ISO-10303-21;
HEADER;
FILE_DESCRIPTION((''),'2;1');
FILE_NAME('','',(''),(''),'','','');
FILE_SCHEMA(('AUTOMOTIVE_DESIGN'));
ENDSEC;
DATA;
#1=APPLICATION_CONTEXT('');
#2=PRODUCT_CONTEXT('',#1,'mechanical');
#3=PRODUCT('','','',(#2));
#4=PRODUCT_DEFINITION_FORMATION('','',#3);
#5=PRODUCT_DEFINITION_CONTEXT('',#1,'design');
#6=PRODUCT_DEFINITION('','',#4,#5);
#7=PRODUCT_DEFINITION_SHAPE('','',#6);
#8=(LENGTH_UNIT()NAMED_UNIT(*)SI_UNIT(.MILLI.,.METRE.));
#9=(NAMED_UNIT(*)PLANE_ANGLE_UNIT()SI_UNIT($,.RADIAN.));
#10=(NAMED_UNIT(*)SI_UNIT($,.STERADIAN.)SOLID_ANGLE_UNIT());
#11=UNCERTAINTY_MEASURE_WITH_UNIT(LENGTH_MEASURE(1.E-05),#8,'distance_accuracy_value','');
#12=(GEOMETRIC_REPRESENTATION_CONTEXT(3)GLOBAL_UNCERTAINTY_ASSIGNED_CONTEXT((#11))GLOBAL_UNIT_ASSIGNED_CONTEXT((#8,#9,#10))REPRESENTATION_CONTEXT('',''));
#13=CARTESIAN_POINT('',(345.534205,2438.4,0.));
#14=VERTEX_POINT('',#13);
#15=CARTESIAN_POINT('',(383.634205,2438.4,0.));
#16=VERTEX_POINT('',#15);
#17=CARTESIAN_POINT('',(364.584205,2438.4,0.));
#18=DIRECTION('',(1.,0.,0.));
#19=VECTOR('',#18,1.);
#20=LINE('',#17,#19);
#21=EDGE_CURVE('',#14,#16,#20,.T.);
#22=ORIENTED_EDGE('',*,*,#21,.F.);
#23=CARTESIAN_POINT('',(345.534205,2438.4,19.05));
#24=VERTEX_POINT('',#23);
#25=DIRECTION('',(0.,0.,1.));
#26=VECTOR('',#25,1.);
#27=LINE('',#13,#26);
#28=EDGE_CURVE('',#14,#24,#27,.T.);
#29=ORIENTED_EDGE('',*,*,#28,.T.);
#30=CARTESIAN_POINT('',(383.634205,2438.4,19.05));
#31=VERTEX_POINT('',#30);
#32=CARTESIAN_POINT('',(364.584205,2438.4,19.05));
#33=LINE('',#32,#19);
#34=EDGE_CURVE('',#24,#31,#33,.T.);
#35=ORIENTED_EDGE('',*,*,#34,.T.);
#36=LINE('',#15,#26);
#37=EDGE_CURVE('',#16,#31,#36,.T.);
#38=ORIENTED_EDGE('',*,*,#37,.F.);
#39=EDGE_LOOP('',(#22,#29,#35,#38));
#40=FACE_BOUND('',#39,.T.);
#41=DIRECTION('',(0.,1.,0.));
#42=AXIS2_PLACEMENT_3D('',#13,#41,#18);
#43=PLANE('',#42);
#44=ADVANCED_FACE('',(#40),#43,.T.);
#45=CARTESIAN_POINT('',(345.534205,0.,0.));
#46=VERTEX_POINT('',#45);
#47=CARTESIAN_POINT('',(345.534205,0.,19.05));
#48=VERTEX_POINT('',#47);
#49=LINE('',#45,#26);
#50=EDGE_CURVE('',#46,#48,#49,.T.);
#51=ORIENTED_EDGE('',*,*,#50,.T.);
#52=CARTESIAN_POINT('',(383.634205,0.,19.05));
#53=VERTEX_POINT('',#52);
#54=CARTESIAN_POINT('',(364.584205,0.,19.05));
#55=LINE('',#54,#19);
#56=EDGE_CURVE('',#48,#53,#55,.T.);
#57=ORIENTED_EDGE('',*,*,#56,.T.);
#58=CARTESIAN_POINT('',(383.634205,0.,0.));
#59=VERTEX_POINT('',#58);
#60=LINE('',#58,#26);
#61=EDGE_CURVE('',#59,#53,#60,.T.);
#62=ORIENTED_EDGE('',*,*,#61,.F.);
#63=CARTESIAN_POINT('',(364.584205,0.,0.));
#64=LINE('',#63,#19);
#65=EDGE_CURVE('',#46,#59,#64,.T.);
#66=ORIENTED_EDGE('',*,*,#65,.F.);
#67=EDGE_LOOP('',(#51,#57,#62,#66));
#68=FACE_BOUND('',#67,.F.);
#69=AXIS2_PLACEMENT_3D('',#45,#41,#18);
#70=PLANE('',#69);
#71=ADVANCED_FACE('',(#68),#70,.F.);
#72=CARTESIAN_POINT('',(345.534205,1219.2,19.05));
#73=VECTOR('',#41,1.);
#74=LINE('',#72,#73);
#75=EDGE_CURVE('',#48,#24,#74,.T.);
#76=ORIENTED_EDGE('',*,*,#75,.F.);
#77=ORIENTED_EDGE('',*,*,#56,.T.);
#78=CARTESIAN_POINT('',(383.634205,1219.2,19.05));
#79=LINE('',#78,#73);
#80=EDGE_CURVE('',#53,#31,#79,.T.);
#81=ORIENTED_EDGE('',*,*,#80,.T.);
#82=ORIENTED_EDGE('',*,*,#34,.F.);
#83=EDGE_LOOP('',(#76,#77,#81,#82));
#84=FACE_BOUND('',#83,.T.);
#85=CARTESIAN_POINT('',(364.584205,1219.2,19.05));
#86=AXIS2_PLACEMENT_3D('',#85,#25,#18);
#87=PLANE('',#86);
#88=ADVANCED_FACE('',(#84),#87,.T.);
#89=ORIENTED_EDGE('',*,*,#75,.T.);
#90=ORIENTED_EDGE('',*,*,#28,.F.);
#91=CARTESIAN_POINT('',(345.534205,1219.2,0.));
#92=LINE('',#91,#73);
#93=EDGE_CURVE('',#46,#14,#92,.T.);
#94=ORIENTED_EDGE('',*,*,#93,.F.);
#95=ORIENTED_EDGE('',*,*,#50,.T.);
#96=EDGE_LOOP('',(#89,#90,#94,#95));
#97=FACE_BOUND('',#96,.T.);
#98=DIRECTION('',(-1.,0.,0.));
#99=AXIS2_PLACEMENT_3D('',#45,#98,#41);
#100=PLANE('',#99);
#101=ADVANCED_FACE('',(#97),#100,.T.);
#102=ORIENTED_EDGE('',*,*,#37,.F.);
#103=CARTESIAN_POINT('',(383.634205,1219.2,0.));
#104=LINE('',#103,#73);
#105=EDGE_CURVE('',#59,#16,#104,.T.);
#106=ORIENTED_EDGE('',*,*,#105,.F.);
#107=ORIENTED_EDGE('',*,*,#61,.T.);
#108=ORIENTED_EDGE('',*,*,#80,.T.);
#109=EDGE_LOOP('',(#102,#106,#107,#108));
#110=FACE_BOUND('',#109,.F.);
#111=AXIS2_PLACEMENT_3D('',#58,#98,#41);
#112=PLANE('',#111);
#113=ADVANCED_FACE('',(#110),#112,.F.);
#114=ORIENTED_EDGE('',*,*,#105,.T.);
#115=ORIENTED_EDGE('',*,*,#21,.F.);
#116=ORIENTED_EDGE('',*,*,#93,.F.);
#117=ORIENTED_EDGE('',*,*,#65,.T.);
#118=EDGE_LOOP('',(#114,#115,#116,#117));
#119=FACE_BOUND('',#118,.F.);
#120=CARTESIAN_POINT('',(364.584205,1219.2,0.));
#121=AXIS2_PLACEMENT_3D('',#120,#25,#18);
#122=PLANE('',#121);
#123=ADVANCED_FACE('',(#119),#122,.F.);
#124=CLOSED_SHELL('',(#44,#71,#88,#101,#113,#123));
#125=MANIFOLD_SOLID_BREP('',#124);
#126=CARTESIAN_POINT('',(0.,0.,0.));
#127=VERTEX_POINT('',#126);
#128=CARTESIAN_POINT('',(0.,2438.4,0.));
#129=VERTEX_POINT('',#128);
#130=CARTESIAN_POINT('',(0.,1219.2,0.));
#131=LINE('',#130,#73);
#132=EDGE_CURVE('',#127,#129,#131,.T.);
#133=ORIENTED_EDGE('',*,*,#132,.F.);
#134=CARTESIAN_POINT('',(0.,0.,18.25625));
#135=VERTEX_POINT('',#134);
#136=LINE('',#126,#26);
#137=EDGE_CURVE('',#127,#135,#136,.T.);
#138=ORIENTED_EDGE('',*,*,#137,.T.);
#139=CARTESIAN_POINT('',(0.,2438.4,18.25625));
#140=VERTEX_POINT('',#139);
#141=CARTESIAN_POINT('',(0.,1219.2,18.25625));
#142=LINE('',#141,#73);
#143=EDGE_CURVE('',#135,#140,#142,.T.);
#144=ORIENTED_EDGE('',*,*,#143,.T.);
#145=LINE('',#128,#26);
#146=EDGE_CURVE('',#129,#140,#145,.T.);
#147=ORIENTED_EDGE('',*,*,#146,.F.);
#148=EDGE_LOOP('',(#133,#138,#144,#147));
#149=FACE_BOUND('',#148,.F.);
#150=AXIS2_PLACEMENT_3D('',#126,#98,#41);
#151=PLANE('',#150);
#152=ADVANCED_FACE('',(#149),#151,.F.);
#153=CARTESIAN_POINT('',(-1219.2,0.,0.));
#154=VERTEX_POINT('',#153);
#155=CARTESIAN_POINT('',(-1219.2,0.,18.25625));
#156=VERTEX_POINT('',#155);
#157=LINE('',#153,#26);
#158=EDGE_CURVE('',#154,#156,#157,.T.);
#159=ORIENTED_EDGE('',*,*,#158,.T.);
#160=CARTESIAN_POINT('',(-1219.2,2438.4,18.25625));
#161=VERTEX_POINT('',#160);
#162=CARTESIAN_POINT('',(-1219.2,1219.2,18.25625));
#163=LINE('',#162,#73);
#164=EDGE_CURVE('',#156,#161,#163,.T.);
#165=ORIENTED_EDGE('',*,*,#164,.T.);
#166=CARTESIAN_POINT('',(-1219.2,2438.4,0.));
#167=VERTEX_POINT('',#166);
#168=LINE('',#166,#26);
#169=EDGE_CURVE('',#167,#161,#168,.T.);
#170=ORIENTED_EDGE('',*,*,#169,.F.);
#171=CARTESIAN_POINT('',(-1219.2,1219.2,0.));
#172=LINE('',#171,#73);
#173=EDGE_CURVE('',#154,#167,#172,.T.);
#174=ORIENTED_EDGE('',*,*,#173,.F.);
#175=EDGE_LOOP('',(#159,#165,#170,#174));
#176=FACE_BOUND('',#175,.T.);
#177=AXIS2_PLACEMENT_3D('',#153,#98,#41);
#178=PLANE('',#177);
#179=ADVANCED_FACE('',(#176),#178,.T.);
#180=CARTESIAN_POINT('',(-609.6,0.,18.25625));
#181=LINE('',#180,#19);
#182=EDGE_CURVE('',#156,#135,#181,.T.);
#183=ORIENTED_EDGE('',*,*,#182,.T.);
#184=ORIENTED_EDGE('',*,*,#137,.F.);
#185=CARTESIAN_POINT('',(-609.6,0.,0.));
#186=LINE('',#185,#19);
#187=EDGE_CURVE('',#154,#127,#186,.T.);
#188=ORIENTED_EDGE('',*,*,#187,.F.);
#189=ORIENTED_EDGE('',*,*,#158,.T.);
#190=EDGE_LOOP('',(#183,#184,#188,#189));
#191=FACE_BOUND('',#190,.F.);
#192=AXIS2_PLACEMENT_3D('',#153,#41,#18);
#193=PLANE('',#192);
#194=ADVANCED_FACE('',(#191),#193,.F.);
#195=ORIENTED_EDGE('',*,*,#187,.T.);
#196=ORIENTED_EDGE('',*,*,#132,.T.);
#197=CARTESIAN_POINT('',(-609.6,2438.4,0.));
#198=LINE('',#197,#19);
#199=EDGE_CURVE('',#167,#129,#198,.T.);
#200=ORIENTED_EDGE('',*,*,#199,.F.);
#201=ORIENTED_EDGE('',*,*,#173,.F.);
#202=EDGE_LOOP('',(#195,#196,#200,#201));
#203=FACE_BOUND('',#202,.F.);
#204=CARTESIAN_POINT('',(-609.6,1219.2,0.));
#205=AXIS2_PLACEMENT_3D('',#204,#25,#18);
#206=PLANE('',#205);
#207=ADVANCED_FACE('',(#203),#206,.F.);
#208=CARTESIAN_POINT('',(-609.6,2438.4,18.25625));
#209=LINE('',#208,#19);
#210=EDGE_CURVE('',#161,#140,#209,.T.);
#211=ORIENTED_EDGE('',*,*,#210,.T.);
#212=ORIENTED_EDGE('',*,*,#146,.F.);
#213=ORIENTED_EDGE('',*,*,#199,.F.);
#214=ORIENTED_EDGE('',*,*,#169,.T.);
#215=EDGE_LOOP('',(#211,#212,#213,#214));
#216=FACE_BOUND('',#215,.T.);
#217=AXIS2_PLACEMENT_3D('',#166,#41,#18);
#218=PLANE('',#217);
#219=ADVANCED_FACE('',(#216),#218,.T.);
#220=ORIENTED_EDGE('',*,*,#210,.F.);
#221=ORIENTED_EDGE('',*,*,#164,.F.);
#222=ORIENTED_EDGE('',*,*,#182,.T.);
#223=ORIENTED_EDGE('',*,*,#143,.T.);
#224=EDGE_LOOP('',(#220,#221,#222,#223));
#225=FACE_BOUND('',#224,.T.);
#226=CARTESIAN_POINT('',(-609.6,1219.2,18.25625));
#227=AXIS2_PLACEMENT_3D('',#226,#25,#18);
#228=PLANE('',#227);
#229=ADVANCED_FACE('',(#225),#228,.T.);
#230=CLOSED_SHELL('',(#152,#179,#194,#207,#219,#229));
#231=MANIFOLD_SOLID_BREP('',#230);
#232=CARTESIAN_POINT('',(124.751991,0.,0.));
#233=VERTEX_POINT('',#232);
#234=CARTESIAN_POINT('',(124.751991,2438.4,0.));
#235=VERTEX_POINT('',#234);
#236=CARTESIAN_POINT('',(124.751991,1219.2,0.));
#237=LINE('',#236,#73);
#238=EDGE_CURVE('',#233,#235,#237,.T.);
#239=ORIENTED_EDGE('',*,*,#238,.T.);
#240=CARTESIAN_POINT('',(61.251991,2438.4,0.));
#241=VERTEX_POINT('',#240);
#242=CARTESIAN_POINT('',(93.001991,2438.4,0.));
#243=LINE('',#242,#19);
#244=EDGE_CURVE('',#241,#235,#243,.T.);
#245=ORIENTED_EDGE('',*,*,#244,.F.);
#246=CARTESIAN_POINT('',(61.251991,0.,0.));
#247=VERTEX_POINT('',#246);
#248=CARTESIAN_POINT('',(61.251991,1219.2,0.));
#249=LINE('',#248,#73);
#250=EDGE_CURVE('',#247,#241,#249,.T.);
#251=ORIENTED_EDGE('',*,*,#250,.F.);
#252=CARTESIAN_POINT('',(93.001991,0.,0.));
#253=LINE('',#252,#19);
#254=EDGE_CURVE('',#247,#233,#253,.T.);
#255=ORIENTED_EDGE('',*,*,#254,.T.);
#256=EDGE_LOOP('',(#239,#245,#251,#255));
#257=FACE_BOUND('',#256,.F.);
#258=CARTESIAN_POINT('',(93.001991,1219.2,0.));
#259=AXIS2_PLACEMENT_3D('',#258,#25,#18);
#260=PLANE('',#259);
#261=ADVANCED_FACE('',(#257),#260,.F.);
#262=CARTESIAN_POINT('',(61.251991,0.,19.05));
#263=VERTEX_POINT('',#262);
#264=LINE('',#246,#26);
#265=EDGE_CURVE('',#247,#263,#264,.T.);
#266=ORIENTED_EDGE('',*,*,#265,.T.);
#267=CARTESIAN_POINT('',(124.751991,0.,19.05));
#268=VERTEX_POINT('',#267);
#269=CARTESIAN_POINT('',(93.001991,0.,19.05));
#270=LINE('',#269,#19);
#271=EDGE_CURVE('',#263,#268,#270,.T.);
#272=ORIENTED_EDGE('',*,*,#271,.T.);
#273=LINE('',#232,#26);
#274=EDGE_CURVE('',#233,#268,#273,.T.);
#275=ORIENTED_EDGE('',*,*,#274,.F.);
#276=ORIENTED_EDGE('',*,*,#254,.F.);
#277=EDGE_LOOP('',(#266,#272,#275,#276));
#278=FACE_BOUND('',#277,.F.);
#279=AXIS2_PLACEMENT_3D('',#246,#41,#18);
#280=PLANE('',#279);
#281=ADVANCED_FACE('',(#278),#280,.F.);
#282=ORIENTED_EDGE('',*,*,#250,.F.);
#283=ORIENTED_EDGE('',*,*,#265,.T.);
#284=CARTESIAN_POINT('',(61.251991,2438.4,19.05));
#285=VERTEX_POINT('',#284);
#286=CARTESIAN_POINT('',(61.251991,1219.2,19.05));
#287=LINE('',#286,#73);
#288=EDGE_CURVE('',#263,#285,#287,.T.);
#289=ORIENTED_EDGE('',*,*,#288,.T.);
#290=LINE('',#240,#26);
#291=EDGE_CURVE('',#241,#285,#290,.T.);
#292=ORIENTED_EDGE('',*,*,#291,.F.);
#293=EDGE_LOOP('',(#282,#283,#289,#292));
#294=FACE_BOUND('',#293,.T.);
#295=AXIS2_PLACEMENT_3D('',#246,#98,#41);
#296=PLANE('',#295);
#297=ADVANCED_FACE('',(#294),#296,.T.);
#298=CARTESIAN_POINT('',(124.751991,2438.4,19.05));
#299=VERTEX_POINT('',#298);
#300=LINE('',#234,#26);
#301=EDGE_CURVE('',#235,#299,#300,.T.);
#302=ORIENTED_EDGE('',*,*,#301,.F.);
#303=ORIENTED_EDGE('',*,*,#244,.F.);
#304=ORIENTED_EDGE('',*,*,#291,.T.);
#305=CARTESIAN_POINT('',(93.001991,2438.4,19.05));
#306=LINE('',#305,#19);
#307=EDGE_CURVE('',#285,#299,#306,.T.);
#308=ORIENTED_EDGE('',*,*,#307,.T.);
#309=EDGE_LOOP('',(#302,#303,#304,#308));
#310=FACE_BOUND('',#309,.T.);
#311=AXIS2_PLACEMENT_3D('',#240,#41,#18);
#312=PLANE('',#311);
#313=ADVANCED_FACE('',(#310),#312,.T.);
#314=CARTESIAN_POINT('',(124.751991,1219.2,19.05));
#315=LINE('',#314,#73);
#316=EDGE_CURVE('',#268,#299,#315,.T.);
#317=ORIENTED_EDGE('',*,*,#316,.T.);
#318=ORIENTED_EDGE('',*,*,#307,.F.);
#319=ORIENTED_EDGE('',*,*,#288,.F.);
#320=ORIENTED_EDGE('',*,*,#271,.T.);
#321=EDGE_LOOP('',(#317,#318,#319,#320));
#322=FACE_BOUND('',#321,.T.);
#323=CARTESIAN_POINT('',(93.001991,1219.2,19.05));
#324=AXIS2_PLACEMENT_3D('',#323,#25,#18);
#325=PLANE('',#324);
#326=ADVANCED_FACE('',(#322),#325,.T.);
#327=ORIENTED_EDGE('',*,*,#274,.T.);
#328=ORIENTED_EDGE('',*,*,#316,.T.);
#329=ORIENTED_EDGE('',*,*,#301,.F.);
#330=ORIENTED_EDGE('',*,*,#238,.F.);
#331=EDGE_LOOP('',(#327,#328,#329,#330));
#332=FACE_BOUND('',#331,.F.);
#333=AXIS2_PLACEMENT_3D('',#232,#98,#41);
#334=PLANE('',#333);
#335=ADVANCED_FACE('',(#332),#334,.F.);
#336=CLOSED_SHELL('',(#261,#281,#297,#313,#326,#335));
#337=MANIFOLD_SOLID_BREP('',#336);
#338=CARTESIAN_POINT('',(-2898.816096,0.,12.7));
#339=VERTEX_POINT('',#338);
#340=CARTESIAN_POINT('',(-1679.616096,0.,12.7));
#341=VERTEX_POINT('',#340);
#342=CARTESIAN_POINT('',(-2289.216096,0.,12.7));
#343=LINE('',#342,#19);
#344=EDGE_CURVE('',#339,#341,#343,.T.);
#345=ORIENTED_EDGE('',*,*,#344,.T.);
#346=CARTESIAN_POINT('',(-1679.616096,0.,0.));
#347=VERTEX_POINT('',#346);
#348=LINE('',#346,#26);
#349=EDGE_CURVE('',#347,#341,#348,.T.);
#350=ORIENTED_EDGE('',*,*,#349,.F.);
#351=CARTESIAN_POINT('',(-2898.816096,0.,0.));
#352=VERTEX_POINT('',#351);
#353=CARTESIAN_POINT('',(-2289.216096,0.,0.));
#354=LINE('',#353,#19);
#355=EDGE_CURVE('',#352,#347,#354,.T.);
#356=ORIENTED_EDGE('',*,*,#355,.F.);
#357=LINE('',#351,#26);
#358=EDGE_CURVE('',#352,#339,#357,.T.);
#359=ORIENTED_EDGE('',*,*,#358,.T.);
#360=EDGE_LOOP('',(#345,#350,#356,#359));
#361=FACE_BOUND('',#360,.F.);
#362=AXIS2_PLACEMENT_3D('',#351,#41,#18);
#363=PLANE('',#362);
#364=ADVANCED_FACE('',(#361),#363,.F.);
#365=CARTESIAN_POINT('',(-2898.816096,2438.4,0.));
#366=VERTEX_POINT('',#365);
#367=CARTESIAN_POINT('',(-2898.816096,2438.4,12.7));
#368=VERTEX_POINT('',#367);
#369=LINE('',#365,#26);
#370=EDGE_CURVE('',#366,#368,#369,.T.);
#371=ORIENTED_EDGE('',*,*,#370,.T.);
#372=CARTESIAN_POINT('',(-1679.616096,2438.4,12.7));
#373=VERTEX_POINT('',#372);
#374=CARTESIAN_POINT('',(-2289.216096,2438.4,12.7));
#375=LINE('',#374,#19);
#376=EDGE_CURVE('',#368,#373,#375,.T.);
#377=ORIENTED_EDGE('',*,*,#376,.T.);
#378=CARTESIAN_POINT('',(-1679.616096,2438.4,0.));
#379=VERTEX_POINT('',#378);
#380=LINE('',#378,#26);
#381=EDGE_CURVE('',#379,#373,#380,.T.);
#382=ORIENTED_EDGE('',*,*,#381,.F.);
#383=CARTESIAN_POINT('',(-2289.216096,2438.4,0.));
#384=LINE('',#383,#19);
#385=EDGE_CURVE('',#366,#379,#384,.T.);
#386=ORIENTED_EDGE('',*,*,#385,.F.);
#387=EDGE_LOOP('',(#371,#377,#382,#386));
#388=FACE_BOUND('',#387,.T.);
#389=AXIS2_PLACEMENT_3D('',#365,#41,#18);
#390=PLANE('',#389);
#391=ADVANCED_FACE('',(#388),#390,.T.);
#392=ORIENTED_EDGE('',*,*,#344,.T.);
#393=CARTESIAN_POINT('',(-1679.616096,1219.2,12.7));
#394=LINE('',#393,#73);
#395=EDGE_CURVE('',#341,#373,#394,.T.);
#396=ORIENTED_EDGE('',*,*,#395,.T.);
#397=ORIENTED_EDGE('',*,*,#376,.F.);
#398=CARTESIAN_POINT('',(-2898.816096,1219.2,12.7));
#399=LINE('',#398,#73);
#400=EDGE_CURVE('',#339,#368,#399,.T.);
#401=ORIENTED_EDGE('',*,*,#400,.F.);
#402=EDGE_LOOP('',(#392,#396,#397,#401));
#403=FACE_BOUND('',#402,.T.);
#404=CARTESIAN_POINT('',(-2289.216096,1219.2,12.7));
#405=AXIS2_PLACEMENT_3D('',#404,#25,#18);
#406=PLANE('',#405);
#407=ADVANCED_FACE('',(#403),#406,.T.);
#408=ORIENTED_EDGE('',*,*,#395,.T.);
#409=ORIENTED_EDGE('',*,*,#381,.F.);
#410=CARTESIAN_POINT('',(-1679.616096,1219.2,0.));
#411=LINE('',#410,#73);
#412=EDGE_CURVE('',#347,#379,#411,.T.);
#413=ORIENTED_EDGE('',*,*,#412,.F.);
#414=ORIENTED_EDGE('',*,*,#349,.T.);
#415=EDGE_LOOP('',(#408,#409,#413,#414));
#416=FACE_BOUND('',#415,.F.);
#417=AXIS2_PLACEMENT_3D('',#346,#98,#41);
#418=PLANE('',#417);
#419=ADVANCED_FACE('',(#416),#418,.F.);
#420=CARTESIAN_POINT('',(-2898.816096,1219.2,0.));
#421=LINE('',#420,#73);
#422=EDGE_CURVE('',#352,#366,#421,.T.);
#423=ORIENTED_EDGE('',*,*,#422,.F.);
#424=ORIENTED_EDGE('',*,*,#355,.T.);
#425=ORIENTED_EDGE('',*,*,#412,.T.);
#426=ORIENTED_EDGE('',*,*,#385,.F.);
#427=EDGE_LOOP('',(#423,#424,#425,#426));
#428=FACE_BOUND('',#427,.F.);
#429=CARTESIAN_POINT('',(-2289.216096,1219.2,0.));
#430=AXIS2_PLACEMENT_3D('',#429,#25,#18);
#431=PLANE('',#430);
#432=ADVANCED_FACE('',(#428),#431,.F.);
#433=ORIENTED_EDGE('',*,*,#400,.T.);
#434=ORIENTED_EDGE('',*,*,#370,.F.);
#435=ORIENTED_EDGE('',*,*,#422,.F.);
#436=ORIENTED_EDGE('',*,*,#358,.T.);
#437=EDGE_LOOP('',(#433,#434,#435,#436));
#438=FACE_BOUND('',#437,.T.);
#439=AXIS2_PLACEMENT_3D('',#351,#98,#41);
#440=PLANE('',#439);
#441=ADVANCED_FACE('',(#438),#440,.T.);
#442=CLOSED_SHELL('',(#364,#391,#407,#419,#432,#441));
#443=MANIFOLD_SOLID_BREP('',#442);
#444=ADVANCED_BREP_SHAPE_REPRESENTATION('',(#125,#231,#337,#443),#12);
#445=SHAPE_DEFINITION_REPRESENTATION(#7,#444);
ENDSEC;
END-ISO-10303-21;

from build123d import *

# Parameters (mm, degrees)
F0_W     = 1219.2
F0_H     = 2438.4
F1_DEPTH = 18.25625
F2_W     = 63.5
F2_H     = 2438.4
F2_W_2   = 38.1
F3_DEPTH = 19.05
F4_DEPTH = 12.7


with BuildPart() as f1:
    # F0 (on Top) → F1 (new body)
    with BuildSketch(Plane.XY):
        with Locations((-609.6, 1219.2)):
            Rectangle(F0_W, F0_H)
    extrude(amount=F1_DEPTH)


with BuildPart() as f3:
    # F2 (on Top) → F3 (new body)
    with BuildSketch(Plane.XY):
        with Locations((93.001991, 1219.2)):
            Rectangle(F2_W, F2_H)
        with Locations((364.584205, 1219.2)):
            Rectangle(F2_W_2, F2_H)
    extrude(amount=F3_DEPTH)


with BuildPart() as f4:
    # F0 (on Top) → F4 (new body)
    with BuildSketch(Plane.XY):
        with Locations((-2289.216096, 1219.2)):
            Rectangle(F0_W, F0_H)
    extrude(amount=F4_DEPTH)


solid = Compound([f1.part, f3.part, f4.part])
